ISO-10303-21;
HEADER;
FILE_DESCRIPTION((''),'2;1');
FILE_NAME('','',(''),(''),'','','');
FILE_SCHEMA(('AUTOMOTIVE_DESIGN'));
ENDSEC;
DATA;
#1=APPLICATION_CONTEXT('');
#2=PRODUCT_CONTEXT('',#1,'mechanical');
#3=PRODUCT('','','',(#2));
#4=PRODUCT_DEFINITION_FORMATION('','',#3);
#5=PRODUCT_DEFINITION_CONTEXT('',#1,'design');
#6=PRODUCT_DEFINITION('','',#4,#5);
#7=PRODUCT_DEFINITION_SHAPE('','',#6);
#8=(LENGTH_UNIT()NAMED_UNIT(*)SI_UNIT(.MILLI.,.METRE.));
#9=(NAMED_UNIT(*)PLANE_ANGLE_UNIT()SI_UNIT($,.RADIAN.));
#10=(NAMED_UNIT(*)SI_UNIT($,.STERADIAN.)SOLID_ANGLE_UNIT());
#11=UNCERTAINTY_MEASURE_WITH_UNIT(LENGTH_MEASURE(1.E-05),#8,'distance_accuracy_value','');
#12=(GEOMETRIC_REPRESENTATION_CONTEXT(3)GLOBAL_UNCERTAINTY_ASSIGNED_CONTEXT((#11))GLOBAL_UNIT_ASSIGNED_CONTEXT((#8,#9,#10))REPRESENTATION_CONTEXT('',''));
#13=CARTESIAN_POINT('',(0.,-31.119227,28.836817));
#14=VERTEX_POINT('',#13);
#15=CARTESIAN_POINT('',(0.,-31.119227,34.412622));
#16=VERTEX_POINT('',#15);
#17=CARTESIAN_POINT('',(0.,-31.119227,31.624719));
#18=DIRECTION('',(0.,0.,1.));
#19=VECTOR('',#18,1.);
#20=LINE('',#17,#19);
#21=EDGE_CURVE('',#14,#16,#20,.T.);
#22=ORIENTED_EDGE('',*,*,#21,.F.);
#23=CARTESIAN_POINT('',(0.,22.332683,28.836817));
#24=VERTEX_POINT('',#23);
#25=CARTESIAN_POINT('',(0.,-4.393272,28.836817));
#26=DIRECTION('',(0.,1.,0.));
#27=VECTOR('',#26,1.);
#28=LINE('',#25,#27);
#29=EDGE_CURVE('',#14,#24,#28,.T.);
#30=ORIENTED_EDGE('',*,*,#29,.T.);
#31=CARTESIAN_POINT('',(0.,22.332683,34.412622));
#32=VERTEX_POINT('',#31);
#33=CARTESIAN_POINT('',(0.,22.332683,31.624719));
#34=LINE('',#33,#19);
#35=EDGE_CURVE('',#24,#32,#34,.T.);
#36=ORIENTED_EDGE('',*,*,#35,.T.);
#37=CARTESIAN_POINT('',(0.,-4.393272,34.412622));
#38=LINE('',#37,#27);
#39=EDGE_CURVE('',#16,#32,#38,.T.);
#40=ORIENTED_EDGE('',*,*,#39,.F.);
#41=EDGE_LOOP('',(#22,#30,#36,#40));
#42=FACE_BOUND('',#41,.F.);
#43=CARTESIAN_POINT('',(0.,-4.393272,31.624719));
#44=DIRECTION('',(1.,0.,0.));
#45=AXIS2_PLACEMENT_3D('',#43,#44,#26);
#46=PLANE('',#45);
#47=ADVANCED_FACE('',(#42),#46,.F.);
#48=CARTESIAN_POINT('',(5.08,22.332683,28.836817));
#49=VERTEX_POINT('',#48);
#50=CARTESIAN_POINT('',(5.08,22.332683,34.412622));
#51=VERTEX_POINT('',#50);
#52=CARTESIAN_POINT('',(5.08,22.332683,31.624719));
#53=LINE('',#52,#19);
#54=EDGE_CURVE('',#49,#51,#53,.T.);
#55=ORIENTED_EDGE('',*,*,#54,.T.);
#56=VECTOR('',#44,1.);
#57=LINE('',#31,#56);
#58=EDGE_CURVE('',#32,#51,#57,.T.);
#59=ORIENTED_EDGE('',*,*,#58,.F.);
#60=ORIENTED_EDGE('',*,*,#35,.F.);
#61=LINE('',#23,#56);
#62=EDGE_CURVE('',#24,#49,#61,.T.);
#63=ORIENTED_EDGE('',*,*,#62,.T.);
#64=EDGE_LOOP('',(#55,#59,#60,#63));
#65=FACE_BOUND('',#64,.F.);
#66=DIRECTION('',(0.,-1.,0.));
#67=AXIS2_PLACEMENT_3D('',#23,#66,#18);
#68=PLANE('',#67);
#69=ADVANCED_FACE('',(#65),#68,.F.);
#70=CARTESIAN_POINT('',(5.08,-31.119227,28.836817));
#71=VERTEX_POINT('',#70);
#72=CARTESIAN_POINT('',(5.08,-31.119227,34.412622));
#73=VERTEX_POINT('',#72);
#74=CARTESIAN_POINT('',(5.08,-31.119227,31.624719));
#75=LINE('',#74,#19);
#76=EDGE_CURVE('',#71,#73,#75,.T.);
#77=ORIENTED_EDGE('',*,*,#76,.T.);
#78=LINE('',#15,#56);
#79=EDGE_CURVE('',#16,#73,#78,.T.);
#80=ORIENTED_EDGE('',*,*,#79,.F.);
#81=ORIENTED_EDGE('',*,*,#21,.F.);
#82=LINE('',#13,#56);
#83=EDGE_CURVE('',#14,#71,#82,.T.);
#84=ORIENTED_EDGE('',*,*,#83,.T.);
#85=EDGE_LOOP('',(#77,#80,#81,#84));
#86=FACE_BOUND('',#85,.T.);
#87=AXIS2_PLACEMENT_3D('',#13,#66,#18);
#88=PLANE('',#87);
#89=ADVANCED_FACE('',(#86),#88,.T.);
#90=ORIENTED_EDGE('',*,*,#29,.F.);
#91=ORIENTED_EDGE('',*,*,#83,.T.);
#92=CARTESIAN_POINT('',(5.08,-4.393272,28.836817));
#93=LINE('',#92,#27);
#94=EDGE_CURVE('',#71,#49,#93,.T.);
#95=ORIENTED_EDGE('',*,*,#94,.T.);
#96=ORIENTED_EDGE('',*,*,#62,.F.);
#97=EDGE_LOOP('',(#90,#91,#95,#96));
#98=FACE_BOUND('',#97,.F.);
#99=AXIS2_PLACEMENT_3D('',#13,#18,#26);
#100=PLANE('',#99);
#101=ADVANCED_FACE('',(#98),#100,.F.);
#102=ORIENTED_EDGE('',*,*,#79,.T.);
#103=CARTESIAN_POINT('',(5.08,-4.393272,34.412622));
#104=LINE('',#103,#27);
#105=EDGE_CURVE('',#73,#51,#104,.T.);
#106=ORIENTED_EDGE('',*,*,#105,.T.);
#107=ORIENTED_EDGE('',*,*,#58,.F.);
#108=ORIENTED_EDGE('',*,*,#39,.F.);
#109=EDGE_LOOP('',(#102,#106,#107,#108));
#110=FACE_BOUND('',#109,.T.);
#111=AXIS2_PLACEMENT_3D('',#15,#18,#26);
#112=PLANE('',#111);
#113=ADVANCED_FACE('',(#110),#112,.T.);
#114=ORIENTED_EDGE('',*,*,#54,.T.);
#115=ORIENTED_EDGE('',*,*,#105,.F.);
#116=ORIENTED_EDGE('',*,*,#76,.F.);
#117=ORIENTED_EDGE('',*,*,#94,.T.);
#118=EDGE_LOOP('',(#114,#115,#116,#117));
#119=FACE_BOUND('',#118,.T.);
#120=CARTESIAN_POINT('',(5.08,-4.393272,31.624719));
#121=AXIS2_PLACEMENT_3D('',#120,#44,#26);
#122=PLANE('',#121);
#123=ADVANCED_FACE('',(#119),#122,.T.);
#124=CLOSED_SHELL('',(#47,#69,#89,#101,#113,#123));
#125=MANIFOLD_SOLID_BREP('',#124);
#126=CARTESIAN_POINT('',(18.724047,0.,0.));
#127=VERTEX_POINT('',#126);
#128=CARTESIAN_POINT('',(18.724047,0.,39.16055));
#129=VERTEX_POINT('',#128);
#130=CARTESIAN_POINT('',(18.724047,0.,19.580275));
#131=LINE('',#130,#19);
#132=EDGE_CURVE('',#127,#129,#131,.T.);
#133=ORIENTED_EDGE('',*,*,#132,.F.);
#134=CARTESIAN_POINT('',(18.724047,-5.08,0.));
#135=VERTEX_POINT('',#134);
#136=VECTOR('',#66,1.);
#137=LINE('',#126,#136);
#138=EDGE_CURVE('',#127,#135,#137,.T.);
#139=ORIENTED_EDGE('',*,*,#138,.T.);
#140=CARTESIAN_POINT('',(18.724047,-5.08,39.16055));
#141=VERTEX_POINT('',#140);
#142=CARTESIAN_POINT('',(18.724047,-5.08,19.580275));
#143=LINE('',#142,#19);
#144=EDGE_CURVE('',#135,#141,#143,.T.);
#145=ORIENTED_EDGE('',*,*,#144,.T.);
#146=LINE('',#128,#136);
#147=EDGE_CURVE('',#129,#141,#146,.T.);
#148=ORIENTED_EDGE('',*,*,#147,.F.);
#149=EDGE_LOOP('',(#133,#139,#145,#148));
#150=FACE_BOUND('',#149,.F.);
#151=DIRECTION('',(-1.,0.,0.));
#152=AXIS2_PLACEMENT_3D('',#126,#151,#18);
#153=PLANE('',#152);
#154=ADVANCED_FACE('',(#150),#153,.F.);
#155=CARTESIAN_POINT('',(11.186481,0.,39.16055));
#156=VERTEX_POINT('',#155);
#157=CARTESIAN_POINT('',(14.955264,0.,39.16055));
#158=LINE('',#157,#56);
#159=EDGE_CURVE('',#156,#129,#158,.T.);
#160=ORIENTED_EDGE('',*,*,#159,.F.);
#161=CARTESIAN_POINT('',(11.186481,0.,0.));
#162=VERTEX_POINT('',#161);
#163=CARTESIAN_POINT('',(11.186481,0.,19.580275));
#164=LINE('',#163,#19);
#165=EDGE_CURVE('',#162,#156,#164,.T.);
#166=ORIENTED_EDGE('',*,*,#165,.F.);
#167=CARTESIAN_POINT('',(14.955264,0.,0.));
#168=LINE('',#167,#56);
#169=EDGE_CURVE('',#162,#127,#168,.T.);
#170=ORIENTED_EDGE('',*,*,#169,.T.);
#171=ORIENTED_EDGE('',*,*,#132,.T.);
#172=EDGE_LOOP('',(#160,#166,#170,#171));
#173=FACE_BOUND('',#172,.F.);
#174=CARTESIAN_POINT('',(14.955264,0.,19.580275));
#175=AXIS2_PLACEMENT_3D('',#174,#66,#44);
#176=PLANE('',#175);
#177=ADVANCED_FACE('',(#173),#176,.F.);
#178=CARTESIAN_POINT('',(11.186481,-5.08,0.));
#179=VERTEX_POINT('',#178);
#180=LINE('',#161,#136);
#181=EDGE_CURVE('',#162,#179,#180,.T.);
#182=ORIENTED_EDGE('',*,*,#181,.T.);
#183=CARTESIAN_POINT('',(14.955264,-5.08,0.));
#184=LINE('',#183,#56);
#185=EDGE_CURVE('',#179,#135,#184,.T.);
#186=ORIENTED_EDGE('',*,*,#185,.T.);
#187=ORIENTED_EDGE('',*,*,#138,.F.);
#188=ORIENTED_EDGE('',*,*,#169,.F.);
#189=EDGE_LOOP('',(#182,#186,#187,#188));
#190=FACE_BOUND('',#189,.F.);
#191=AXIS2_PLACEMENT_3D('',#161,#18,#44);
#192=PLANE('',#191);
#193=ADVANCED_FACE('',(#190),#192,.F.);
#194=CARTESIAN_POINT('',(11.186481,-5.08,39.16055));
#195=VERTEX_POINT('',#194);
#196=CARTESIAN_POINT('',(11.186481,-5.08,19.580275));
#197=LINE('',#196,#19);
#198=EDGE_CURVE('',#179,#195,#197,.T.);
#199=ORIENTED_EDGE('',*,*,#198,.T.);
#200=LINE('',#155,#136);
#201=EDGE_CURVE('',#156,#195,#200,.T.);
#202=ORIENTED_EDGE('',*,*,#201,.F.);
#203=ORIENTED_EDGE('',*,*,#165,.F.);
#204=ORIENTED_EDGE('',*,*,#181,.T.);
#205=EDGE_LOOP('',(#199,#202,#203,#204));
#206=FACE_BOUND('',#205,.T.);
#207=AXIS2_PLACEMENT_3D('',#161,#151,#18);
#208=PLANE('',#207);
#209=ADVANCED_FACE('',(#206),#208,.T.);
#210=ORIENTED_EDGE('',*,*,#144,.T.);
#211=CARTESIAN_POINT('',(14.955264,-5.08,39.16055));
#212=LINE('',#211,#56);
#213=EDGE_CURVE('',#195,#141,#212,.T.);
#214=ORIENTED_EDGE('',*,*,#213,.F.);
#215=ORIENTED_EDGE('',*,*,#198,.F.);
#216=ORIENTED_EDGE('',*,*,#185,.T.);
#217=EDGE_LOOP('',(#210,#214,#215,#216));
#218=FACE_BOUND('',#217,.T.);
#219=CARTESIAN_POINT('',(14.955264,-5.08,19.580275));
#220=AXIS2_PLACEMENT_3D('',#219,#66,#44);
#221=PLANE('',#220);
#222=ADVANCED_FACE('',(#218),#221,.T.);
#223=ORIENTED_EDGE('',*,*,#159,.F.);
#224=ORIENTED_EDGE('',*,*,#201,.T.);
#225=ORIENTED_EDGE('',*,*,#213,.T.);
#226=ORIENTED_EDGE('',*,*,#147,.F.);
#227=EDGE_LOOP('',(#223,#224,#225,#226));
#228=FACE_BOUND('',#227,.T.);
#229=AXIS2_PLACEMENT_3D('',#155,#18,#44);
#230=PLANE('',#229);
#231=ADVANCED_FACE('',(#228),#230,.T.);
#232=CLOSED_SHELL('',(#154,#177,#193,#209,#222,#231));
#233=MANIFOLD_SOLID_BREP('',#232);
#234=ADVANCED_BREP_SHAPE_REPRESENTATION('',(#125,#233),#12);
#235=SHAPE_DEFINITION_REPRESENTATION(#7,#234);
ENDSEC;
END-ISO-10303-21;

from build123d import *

# Parameters (mm, degrees)
F0_W     = 53.45191
F0_H     = 5.575805
F1_DEPTH = 5.08
F2_W     = 7.537566
F2_H     = 39.16055
F3_DEPTH = 5.08


with BuildPart() as f1:
    # F0 (on Right) → F1 (new body)
    with BuildSketch(Plane.YZ):
        with Locations((-4.393272, 31.624719)):
            Rectangle(F0_W, F0_H)
    extrude(amount=F1_DEPTH)


with BuildPart() as f3:
    # F2 (on Front) → F3 (new body)
    with BuildSketch(Plane.XZ):
        with Locations((14.955264, 19.580275)):
            Rectangle(F2_W, F2_H)
    extrude(amount=F3_DEPTH)


solid = Compound([f1.part, f3.part])
